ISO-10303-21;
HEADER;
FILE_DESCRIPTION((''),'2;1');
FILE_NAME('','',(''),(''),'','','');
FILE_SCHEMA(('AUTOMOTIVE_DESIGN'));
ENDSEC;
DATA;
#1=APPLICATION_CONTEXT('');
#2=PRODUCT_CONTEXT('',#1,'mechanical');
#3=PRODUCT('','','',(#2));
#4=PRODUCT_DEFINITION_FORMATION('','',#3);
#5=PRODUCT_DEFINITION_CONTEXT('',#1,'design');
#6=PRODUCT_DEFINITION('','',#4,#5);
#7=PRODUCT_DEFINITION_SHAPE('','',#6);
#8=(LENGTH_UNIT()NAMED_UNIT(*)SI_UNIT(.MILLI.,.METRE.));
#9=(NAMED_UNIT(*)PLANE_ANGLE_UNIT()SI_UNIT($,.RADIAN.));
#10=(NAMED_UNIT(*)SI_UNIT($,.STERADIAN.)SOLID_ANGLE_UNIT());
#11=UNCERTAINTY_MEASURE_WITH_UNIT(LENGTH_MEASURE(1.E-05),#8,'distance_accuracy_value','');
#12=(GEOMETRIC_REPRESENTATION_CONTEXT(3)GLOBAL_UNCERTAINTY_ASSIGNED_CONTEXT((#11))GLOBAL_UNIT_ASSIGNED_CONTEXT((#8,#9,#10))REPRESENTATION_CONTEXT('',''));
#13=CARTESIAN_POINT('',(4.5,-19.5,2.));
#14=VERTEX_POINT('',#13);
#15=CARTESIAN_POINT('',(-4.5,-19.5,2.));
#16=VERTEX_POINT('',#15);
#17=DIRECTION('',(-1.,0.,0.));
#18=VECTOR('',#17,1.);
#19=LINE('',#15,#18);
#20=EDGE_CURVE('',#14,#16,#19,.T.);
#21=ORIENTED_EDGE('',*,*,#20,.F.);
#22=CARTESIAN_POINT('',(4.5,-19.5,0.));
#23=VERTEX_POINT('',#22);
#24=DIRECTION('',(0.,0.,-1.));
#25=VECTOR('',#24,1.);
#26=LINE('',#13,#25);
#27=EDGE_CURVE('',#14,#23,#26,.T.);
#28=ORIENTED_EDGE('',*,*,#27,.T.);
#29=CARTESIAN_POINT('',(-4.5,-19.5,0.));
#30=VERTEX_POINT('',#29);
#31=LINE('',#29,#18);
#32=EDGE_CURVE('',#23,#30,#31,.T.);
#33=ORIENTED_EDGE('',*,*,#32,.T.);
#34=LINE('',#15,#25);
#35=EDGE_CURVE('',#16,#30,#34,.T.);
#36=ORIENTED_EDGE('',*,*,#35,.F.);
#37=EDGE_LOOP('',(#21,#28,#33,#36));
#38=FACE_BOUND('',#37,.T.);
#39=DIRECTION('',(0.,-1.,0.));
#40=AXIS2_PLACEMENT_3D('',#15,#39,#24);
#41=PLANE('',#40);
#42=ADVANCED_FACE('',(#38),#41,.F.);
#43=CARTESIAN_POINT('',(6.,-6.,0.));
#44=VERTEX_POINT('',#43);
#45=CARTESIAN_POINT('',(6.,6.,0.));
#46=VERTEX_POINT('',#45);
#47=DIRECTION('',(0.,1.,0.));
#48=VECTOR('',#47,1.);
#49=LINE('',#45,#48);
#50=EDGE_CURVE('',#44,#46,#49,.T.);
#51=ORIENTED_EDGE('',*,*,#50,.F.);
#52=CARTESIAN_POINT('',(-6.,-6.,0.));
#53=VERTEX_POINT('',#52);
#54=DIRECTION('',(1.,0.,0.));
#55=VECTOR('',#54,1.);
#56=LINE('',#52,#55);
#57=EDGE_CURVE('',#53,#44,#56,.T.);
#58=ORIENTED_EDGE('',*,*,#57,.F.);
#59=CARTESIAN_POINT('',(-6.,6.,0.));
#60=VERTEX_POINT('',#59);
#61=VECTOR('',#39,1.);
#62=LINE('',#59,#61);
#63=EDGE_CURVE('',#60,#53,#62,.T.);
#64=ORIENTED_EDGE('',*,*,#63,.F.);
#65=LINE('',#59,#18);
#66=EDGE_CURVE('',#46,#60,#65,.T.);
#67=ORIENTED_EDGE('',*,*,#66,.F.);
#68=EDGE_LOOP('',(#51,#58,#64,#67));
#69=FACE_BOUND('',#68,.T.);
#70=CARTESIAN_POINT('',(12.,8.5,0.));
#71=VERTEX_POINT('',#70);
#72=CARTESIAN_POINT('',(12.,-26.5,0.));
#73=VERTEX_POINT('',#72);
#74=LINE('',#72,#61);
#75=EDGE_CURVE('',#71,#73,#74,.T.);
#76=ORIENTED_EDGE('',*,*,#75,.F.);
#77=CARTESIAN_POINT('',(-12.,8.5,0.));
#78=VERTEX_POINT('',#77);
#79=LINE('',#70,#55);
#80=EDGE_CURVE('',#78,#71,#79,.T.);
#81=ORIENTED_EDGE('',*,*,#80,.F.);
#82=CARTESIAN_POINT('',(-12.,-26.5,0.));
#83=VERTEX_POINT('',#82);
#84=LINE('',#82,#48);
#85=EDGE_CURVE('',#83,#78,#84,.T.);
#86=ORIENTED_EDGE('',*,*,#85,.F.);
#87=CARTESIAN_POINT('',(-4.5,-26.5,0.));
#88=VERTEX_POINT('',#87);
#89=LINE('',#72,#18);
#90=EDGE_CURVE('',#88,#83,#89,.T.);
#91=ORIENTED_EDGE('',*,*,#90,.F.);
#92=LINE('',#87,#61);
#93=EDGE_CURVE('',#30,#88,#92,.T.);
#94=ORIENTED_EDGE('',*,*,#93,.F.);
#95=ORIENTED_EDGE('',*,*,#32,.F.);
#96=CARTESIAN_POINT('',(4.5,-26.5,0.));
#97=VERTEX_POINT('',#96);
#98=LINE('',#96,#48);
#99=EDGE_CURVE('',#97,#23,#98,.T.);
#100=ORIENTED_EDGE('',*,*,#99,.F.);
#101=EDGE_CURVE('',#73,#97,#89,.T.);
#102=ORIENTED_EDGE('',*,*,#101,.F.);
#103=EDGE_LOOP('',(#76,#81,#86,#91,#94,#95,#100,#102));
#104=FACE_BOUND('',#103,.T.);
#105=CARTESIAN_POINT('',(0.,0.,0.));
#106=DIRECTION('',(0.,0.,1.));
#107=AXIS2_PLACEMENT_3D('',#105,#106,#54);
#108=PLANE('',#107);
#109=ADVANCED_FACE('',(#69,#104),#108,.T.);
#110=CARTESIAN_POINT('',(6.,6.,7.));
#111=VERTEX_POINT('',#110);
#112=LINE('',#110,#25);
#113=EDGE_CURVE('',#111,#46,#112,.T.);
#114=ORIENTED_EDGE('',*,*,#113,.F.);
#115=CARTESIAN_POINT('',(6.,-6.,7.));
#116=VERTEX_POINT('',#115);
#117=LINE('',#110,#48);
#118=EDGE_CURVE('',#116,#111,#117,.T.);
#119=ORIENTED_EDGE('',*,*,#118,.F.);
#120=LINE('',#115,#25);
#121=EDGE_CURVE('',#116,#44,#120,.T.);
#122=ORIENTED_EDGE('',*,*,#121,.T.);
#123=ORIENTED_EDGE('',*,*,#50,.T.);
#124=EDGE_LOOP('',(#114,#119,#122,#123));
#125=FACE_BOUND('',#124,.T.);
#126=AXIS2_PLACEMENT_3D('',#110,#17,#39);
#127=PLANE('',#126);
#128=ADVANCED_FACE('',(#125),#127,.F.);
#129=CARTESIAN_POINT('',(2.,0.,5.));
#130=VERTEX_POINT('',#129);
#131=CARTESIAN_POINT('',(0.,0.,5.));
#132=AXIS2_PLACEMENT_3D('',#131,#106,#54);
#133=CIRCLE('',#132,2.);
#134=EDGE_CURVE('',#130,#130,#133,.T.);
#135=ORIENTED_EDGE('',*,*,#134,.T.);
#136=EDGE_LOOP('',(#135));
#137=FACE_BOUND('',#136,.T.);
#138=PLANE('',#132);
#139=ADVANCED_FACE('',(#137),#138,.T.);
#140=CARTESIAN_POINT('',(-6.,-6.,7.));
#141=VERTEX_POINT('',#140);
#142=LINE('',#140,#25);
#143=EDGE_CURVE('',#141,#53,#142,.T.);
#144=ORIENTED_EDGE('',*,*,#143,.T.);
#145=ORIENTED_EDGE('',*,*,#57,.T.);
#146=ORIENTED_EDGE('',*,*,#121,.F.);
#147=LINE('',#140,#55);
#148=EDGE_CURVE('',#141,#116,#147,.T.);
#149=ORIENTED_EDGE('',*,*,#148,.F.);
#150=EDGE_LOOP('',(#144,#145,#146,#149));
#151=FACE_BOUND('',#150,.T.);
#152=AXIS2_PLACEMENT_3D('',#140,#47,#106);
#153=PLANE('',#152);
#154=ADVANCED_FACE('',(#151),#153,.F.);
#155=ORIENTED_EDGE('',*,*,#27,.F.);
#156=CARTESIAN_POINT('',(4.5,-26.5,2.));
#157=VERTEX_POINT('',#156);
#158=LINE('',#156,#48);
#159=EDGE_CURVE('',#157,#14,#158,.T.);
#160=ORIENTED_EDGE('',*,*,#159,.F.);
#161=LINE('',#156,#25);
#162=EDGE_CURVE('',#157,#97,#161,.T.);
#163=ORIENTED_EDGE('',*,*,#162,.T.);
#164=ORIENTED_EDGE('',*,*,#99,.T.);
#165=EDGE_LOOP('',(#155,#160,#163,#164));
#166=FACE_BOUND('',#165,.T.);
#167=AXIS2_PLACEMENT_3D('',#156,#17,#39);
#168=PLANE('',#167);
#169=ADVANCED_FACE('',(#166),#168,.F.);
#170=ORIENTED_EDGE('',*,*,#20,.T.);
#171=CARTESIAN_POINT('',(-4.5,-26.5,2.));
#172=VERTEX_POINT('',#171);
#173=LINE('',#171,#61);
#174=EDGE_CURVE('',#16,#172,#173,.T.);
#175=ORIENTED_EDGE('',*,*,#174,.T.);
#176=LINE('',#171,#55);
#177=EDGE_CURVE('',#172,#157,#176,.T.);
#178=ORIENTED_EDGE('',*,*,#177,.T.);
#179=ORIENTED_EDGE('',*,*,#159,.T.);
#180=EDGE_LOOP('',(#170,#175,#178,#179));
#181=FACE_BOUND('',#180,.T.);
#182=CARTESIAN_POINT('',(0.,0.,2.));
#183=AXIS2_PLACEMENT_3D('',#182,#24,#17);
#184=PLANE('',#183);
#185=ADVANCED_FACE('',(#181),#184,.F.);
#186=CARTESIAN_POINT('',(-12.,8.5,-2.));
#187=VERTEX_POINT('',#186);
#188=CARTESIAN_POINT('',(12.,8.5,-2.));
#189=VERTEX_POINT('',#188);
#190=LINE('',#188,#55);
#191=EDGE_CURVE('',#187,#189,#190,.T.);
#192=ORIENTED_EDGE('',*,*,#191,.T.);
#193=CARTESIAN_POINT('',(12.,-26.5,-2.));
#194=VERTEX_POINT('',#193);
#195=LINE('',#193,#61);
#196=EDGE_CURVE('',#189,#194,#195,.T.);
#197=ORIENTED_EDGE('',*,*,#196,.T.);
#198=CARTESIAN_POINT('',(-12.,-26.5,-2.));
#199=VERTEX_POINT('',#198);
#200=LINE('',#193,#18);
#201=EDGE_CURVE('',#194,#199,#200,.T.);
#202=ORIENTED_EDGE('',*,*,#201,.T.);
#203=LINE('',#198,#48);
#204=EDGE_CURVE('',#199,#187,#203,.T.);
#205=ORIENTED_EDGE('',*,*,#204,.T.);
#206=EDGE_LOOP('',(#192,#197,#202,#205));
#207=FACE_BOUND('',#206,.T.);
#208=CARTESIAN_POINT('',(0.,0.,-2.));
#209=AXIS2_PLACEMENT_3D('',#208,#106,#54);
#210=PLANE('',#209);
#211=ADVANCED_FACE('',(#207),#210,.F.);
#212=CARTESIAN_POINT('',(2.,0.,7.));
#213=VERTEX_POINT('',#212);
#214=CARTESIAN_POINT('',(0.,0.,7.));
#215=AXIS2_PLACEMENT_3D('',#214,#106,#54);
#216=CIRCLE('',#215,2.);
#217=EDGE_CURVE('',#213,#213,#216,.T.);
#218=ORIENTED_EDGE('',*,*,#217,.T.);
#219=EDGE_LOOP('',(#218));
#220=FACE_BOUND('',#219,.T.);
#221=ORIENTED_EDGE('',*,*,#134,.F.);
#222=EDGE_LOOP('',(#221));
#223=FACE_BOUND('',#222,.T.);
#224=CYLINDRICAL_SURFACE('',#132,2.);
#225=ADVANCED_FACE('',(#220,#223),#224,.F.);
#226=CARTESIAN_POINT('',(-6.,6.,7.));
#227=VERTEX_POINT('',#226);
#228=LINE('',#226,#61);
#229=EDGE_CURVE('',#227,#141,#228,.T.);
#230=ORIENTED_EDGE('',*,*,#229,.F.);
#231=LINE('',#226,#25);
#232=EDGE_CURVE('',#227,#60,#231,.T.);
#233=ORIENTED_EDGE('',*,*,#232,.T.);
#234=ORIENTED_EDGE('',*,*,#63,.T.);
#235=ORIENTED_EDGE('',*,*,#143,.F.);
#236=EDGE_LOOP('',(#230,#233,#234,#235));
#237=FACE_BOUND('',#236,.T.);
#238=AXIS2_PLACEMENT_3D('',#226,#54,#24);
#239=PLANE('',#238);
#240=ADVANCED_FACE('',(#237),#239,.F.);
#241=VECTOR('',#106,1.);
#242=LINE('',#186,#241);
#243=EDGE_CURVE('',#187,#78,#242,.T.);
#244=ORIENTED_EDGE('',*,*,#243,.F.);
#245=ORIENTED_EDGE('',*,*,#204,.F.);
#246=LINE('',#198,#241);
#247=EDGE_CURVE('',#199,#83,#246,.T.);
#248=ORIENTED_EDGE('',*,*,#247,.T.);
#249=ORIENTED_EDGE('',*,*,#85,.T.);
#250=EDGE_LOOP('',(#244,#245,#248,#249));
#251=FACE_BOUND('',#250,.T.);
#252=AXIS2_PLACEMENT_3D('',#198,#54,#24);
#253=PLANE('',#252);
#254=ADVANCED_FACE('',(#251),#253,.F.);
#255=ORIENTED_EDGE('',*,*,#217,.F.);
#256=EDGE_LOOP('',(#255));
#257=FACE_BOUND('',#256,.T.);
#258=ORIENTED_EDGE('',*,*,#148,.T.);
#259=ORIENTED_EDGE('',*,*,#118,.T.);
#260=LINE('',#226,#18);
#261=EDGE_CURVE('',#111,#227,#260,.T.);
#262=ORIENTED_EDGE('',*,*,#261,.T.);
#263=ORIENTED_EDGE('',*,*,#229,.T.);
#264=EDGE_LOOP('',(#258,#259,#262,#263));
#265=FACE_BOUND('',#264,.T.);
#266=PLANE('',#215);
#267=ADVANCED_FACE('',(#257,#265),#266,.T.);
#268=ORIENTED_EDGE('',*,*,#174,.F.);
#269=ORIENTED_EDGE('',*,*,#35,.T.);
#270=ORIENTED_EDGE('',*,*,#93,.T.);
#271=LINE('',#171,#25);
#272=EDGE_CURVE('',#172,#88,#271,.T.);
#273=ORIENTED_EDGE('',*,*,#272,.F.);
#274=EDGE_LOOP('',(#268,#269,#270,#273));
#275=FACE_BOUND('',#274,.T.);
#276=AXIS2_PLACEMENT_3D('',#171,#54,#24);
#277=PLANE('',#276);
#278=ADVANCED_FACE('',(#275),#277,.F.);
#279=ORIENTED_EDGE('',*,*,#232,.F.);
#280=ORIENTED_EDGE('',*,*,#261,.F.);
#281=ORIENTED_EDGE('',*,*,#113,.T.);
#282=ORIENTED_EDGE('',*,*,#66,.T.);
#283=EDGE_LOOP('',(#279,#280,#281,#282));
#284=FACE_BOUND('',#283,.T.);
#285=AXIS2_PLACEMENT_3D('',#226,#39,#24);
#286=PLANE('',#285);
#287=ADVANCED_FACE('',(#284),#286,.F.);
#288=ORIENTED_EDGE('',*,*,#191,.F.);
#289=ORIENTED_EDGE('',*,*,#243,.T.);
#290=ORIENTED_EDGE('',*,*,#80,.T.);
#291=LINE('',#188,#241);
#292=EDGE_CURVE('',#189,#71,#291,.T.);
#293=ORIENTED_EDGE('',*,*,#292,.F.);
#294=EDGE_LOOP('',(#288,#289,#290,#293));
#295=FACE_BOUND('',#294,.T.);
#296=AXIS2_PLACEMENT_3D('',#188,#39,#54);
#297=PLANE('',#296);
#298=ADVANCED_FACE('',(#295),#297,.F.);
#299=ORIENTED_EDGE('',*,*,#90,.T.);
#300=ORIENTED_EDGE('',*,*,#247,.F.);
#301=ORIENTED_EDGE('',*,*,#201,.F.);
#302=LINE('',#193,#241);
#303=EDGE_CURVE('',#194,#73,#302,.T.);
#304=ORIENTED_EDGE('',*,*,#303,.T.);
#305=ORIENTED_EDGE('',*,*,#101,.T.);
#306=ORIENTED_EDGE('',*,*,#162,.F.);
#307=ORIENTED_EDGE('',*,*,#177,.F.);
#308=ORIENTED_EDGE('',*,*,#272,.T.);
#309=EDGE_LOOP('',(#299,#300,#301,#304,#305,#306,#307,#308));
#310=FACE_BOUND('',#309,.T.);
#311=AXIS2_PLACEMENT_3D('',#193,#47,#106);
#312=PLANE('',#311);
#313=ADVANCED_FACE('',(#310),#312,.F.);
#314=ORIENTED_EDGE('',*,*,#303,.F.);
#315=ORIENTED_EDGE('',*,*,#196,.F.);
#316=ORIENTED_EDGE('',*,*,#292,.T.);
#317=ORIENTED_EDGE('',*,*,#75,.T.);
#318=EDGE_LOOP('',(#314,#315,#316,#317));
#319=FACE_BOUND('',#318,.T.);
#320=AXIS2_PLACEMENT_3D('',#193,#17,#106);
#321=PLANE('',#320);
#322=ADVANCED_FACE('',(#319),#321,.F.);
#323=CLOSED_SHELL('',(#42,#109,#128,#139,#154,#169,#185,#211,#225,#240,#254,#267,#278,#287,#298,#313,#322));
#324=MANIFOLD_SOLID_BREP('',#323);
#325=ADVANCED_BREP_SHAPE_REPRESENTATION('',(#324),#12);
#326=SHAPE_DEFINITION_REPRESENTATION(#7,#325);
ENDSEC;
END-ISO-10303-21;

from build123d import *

# Parameters (mm, degrees)
SKETCH_1_W          = 12
SKETCH_1_H          = 12
EXTRUDE_1_DEPTH     = 7
SKETCH_2_W          = 24
SKETCH_2_H          = 35
EXTRUDE_2_DEPTH     = 2
SKETCH_3_W          = 9
SKETCH_3_H          = 7
EXTRUDE_3_DEPTH     = 2
SKETCH_4_R          = 2
CUT_EXTRUDE_1_DEPTH = 2


with BuildPart() as part:
    # 스케치1 → 보스-돌출1 (new body)
    with BuildSketch(Plane.XY):
        Rectangle(SKETCH_1_W, SKETCH_1_H)
    extrude(amount=EXTRUDE_1_DEPTH)

    # 스케치2 → 보스-돌출2 (add)
    with BuildSketch(Plane(origin=(0, 0, 0), x_dir=(-1, 0, 0), z_dir=(0, 0, -1))):
        with Locations((0, -9)):
            Rectangle(SKETCH_2_W, SKETCH_2_H)
    extrude(amount=EXTRUDE_2_DEPTH)

    # 스케치3 → 보스-돌출3 (add)
    with BuildSketch(Plane.XY):
        with Locations((0, -23)):
            Rectangle(SKETCH_3_W, SKETCH_3_H)
    extrude(amount=EXTRUDE_3_DEPTH)

    # 스케치4 → 컷-돌출1 (cut)
    with BuildSketch(Plane.XY.offset(7)):
        Circle(SKETCH_4_R)
    extrude(amount=-CUT_EXTRUDE_1_DEPTH, mode=Mode.SUBTRACT)


solid = part.part
